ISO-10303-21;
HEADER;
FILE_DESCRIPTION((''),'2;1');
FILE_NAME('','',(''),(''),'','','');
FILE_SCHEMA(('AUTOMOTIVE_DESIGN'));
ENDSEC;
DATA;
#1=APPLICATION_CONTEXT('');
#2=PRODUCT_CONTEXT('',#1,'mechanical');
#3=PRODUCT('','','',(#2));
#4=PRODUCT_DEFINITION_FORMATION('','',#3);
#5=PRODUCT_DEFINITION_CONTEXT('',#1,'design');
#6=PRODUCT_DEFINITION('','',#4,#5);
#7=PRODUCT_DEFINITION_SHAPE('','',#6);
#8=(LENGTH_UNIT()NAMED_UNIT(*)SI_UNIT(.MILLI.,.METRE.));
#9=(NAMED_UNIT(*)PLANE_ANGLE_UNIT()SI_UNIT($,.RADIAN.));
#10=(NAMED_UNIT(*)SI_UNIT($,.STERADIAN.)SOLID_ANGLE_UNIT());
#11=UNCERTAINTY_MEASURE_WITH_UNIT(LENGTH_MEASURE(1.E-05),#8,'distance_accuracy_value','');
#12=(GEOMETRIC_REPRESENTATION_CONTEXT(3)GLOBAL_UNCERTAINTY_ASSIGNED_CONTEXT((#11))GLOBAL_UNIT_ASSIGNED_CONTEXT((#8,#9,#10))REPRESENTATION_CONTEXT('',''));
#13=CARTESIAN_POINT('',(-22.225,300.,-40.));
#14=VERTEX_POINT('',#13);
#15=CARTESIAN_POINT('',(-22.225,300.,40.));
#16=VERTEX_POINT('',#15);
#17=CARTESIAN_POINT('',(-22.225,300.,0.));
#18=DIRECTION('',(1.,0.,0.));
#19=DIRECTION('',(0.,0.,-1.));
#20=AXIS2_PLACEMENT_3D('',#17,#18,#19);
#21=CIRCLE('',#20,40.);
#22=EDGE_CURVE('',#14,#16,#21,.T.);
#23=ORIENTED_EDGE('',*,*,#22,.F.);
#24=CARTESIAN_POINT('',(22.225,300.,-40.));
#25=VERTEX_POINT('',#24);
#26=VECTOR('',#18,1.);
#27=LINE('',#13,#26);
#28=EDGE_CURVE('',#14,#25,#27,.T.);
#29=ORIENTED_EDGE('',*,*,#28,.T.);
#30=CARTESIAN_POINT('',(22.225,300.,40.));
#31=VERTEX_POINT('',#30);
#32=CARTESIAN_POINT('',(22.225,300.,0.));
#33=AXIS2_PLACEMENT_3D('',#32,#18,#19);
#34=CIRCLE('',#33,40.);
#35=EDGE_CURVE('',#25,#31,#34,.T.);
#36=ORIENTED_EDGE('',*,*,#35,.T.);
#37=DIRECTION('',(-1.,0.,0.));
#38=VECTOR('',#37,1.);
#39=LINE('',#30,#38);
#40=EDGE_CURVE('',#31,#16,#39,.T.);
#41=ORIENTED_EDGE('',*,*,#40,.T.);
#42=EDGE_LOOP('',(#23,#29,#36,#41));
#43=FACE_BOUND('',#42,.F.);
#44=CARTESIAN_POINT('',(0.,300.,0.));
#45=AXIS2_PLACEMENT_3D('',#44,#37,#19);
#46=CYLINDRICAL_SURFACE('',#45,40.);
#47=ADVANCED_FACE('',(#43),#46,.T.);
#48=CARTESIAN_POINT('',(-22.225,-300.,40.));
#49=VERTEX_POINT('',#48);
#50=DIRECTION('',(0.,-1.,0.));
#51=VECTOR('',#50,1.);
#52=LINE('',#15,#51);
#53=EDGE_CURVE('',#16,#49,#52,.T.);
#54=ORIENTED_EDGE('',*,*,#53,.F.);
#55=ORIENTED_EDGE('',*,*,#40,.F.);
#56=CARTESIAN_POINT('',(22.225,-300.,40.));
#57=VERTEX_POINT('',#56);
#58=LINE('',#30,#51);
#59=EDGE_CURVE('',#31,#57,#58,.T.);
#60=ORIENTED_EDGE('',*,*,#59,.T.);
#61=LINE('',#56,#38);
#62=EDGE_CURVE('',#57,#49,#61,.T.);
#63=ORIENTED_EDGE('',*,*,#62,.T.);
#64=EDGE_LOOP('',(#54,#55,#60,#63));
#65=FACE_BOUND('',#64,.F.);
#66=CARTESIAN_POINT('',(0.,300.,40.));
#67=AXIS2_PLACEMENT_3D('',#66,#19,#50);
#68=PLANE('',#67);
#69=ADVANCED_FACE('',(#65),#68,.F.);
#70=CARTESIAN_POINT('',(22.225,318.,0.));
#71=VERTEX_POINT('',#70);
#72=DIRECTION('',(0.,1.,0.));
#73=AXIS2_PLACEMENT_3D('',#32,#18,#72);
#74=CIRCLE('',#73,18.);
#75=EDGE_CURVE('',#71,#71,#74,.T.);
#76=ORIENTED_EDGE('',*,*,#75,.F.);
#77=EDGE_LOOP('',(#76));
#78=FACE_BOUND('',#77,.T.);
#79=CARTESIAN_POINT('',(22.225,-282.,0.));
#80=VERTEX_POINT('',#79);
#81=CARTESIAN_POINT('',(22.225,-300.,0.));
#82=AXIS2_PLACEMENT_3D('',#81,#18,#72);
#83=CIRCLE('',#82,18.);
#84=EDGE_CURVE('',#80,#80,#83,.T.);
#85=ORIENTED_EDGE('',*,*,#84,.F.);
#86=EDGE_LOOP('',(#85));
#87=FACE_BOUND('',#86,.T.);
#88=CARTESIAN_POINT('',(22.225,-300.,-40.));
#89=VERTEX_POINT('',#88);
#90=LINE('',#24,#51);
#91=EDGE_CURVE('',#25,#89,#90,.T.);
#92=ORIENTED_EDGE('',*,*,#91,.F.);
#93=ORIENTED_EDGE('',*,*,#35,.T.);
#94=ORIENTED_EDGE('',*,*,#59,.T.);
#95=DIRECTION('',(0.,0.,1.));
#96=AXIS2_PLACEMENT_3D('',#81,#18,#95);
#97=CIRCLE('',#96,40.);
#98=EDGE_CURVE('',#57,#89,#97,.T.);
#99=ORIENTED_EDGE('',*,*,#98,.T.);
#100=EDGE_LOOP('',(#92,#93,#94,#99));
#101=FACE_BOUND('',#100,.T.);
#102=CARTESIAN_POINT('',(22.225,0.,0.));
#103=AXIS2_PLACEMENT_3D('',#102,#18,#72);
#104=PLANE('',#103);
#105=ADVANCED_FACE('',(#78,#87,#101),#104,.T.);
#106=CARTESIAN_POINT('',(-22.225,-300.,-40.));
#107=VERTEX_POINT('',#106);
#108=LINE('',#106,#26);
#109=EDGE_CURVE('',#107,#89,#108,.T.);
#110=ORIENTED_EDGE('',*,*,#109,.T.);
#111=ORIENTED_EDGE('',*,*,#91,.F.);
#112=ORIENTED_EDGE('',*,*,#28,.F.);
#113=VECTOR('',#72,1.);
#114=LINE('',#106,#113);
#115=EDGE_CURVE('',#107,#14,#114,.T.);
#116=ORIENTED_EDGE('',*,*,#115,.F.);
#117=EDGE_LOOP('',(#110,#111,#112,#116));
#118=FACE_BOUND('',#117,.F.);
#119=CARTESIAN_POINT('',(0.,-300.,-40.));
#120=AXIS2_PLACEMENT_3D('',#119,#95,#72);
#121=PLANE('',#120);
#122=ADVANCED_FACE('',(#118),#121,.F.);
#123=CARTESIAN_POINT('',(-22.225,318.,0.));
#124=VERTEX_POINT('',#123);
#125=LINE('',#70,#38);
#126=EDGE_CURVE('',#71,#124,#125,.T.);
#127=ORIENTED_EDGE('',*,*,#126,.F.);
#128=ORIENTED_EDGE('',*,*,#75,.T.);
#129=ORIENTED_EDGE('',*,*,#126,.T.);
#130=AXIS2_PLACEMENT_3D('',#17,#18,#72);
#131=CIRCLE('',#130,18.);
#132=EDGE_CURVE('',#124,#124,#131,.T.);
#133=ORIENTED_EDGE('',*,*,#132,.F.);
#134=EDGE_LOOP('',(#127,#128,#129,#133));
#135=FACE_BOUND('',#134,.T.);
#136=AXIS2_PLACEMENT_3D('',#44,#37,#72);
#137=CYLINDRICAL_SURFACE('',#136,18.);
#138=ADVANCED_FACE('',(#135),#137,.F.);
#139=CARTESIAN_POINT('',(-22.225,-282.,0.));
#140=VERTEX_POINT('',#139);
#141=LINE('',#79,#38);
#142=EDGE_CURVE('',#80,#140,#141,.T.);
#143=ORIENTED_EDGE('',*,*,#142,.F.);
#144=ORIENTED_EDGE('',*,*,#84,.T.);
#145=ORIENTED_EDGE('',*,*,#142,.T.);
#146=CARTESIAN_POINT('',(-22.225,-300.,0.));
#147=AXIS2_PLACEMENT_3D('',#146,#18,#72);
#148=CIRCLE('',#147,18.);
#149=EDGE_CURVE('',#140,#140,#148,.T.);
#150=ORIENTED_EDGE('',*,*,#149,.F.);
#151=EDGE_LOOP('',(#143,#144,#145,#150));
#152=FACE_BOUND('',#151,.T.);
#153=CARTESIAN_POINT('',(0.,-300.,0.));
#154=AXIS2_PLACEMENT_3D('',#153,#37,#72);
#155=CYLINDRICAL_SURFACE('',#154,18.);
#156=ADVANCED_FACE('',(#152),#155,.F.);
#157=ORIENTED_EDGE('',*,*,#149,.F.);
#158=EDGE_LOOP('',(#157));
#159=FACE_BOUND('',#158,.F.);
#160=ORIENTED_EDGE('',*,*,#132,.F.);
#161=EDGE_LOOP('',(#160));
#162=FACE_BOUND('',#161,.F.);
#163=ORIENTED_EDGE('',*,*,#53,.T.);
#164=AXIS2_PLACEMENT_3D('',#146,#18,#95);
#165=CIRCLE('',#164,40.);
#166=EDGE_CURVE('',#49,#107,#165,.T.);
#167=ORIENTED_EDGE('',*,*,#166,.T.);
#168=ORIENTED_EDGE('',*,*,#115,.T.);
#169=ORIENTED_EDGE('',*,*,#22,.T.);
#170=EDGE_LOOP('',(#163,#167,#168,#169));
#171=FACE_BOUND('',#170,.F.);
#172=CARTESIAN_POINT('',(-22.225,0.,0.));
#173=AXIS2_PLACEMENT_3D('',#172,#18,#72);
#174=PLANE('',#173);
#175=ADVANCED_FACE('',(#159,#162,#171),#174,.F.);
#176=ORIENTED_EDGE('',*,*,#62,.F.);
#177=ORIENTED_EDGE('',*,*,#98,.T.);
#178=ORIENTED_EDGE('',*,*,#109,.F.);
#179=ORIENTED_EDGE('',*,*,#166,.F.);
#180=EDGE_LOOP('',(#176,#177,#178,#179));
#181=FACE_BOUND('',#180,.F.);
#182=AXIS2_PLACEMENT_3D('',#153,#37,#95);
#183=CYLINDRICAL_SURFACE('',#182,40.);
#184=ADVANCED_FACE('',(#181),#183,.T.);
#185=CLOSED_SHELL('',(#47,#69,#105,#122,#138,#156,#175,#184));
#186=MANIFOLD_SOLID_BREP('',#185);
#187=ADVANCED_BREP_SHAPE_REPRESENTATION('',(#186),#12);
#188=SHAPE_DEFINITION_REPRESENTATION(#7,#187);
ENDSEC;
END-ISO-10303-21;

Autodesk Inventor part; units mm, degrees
ref_plane "YZ Plane" through (0, 0, 0) normal (1, 0, 0) x (0, 1, 0)
ref_plane "XZ Plane" through (0, 0, 0) normal (0, 1, 0) x (-1, 0, 0)
ref_plane "XY Plane" through (0, 0, 0) normal (0, 0, 1) x (1, 0, 0)
sketch "Sketch1" plane through (0, 0, 0) normal (1, 0, 0) x (0, 1, 0)
  line L0 (-300, 0) -> (300, 0) construction
  line L1 (-300, -40) -> (300, -40)
  line L2 (300, 40) -> (-300, 40)
  arc A0 (-300, 40) -> (-300, -40) centre (-300, 0) ccw
  arc A1 (300, -40) -> (300, 40) centre (300, 0) ccw
  circle A2 centre (300, 0) radius 18
  line L3 (0, 0) -> (0, -40)
  circle A3 centre (-300, 0) radius 18
  dimension "d0" = 300
  dimension "d1" = 80
  dimension "d2" = 36
extrude "Extrusion1" add sketch "Sketch1" along normal mid plane 44.45
properties part number "Link_Principal"
